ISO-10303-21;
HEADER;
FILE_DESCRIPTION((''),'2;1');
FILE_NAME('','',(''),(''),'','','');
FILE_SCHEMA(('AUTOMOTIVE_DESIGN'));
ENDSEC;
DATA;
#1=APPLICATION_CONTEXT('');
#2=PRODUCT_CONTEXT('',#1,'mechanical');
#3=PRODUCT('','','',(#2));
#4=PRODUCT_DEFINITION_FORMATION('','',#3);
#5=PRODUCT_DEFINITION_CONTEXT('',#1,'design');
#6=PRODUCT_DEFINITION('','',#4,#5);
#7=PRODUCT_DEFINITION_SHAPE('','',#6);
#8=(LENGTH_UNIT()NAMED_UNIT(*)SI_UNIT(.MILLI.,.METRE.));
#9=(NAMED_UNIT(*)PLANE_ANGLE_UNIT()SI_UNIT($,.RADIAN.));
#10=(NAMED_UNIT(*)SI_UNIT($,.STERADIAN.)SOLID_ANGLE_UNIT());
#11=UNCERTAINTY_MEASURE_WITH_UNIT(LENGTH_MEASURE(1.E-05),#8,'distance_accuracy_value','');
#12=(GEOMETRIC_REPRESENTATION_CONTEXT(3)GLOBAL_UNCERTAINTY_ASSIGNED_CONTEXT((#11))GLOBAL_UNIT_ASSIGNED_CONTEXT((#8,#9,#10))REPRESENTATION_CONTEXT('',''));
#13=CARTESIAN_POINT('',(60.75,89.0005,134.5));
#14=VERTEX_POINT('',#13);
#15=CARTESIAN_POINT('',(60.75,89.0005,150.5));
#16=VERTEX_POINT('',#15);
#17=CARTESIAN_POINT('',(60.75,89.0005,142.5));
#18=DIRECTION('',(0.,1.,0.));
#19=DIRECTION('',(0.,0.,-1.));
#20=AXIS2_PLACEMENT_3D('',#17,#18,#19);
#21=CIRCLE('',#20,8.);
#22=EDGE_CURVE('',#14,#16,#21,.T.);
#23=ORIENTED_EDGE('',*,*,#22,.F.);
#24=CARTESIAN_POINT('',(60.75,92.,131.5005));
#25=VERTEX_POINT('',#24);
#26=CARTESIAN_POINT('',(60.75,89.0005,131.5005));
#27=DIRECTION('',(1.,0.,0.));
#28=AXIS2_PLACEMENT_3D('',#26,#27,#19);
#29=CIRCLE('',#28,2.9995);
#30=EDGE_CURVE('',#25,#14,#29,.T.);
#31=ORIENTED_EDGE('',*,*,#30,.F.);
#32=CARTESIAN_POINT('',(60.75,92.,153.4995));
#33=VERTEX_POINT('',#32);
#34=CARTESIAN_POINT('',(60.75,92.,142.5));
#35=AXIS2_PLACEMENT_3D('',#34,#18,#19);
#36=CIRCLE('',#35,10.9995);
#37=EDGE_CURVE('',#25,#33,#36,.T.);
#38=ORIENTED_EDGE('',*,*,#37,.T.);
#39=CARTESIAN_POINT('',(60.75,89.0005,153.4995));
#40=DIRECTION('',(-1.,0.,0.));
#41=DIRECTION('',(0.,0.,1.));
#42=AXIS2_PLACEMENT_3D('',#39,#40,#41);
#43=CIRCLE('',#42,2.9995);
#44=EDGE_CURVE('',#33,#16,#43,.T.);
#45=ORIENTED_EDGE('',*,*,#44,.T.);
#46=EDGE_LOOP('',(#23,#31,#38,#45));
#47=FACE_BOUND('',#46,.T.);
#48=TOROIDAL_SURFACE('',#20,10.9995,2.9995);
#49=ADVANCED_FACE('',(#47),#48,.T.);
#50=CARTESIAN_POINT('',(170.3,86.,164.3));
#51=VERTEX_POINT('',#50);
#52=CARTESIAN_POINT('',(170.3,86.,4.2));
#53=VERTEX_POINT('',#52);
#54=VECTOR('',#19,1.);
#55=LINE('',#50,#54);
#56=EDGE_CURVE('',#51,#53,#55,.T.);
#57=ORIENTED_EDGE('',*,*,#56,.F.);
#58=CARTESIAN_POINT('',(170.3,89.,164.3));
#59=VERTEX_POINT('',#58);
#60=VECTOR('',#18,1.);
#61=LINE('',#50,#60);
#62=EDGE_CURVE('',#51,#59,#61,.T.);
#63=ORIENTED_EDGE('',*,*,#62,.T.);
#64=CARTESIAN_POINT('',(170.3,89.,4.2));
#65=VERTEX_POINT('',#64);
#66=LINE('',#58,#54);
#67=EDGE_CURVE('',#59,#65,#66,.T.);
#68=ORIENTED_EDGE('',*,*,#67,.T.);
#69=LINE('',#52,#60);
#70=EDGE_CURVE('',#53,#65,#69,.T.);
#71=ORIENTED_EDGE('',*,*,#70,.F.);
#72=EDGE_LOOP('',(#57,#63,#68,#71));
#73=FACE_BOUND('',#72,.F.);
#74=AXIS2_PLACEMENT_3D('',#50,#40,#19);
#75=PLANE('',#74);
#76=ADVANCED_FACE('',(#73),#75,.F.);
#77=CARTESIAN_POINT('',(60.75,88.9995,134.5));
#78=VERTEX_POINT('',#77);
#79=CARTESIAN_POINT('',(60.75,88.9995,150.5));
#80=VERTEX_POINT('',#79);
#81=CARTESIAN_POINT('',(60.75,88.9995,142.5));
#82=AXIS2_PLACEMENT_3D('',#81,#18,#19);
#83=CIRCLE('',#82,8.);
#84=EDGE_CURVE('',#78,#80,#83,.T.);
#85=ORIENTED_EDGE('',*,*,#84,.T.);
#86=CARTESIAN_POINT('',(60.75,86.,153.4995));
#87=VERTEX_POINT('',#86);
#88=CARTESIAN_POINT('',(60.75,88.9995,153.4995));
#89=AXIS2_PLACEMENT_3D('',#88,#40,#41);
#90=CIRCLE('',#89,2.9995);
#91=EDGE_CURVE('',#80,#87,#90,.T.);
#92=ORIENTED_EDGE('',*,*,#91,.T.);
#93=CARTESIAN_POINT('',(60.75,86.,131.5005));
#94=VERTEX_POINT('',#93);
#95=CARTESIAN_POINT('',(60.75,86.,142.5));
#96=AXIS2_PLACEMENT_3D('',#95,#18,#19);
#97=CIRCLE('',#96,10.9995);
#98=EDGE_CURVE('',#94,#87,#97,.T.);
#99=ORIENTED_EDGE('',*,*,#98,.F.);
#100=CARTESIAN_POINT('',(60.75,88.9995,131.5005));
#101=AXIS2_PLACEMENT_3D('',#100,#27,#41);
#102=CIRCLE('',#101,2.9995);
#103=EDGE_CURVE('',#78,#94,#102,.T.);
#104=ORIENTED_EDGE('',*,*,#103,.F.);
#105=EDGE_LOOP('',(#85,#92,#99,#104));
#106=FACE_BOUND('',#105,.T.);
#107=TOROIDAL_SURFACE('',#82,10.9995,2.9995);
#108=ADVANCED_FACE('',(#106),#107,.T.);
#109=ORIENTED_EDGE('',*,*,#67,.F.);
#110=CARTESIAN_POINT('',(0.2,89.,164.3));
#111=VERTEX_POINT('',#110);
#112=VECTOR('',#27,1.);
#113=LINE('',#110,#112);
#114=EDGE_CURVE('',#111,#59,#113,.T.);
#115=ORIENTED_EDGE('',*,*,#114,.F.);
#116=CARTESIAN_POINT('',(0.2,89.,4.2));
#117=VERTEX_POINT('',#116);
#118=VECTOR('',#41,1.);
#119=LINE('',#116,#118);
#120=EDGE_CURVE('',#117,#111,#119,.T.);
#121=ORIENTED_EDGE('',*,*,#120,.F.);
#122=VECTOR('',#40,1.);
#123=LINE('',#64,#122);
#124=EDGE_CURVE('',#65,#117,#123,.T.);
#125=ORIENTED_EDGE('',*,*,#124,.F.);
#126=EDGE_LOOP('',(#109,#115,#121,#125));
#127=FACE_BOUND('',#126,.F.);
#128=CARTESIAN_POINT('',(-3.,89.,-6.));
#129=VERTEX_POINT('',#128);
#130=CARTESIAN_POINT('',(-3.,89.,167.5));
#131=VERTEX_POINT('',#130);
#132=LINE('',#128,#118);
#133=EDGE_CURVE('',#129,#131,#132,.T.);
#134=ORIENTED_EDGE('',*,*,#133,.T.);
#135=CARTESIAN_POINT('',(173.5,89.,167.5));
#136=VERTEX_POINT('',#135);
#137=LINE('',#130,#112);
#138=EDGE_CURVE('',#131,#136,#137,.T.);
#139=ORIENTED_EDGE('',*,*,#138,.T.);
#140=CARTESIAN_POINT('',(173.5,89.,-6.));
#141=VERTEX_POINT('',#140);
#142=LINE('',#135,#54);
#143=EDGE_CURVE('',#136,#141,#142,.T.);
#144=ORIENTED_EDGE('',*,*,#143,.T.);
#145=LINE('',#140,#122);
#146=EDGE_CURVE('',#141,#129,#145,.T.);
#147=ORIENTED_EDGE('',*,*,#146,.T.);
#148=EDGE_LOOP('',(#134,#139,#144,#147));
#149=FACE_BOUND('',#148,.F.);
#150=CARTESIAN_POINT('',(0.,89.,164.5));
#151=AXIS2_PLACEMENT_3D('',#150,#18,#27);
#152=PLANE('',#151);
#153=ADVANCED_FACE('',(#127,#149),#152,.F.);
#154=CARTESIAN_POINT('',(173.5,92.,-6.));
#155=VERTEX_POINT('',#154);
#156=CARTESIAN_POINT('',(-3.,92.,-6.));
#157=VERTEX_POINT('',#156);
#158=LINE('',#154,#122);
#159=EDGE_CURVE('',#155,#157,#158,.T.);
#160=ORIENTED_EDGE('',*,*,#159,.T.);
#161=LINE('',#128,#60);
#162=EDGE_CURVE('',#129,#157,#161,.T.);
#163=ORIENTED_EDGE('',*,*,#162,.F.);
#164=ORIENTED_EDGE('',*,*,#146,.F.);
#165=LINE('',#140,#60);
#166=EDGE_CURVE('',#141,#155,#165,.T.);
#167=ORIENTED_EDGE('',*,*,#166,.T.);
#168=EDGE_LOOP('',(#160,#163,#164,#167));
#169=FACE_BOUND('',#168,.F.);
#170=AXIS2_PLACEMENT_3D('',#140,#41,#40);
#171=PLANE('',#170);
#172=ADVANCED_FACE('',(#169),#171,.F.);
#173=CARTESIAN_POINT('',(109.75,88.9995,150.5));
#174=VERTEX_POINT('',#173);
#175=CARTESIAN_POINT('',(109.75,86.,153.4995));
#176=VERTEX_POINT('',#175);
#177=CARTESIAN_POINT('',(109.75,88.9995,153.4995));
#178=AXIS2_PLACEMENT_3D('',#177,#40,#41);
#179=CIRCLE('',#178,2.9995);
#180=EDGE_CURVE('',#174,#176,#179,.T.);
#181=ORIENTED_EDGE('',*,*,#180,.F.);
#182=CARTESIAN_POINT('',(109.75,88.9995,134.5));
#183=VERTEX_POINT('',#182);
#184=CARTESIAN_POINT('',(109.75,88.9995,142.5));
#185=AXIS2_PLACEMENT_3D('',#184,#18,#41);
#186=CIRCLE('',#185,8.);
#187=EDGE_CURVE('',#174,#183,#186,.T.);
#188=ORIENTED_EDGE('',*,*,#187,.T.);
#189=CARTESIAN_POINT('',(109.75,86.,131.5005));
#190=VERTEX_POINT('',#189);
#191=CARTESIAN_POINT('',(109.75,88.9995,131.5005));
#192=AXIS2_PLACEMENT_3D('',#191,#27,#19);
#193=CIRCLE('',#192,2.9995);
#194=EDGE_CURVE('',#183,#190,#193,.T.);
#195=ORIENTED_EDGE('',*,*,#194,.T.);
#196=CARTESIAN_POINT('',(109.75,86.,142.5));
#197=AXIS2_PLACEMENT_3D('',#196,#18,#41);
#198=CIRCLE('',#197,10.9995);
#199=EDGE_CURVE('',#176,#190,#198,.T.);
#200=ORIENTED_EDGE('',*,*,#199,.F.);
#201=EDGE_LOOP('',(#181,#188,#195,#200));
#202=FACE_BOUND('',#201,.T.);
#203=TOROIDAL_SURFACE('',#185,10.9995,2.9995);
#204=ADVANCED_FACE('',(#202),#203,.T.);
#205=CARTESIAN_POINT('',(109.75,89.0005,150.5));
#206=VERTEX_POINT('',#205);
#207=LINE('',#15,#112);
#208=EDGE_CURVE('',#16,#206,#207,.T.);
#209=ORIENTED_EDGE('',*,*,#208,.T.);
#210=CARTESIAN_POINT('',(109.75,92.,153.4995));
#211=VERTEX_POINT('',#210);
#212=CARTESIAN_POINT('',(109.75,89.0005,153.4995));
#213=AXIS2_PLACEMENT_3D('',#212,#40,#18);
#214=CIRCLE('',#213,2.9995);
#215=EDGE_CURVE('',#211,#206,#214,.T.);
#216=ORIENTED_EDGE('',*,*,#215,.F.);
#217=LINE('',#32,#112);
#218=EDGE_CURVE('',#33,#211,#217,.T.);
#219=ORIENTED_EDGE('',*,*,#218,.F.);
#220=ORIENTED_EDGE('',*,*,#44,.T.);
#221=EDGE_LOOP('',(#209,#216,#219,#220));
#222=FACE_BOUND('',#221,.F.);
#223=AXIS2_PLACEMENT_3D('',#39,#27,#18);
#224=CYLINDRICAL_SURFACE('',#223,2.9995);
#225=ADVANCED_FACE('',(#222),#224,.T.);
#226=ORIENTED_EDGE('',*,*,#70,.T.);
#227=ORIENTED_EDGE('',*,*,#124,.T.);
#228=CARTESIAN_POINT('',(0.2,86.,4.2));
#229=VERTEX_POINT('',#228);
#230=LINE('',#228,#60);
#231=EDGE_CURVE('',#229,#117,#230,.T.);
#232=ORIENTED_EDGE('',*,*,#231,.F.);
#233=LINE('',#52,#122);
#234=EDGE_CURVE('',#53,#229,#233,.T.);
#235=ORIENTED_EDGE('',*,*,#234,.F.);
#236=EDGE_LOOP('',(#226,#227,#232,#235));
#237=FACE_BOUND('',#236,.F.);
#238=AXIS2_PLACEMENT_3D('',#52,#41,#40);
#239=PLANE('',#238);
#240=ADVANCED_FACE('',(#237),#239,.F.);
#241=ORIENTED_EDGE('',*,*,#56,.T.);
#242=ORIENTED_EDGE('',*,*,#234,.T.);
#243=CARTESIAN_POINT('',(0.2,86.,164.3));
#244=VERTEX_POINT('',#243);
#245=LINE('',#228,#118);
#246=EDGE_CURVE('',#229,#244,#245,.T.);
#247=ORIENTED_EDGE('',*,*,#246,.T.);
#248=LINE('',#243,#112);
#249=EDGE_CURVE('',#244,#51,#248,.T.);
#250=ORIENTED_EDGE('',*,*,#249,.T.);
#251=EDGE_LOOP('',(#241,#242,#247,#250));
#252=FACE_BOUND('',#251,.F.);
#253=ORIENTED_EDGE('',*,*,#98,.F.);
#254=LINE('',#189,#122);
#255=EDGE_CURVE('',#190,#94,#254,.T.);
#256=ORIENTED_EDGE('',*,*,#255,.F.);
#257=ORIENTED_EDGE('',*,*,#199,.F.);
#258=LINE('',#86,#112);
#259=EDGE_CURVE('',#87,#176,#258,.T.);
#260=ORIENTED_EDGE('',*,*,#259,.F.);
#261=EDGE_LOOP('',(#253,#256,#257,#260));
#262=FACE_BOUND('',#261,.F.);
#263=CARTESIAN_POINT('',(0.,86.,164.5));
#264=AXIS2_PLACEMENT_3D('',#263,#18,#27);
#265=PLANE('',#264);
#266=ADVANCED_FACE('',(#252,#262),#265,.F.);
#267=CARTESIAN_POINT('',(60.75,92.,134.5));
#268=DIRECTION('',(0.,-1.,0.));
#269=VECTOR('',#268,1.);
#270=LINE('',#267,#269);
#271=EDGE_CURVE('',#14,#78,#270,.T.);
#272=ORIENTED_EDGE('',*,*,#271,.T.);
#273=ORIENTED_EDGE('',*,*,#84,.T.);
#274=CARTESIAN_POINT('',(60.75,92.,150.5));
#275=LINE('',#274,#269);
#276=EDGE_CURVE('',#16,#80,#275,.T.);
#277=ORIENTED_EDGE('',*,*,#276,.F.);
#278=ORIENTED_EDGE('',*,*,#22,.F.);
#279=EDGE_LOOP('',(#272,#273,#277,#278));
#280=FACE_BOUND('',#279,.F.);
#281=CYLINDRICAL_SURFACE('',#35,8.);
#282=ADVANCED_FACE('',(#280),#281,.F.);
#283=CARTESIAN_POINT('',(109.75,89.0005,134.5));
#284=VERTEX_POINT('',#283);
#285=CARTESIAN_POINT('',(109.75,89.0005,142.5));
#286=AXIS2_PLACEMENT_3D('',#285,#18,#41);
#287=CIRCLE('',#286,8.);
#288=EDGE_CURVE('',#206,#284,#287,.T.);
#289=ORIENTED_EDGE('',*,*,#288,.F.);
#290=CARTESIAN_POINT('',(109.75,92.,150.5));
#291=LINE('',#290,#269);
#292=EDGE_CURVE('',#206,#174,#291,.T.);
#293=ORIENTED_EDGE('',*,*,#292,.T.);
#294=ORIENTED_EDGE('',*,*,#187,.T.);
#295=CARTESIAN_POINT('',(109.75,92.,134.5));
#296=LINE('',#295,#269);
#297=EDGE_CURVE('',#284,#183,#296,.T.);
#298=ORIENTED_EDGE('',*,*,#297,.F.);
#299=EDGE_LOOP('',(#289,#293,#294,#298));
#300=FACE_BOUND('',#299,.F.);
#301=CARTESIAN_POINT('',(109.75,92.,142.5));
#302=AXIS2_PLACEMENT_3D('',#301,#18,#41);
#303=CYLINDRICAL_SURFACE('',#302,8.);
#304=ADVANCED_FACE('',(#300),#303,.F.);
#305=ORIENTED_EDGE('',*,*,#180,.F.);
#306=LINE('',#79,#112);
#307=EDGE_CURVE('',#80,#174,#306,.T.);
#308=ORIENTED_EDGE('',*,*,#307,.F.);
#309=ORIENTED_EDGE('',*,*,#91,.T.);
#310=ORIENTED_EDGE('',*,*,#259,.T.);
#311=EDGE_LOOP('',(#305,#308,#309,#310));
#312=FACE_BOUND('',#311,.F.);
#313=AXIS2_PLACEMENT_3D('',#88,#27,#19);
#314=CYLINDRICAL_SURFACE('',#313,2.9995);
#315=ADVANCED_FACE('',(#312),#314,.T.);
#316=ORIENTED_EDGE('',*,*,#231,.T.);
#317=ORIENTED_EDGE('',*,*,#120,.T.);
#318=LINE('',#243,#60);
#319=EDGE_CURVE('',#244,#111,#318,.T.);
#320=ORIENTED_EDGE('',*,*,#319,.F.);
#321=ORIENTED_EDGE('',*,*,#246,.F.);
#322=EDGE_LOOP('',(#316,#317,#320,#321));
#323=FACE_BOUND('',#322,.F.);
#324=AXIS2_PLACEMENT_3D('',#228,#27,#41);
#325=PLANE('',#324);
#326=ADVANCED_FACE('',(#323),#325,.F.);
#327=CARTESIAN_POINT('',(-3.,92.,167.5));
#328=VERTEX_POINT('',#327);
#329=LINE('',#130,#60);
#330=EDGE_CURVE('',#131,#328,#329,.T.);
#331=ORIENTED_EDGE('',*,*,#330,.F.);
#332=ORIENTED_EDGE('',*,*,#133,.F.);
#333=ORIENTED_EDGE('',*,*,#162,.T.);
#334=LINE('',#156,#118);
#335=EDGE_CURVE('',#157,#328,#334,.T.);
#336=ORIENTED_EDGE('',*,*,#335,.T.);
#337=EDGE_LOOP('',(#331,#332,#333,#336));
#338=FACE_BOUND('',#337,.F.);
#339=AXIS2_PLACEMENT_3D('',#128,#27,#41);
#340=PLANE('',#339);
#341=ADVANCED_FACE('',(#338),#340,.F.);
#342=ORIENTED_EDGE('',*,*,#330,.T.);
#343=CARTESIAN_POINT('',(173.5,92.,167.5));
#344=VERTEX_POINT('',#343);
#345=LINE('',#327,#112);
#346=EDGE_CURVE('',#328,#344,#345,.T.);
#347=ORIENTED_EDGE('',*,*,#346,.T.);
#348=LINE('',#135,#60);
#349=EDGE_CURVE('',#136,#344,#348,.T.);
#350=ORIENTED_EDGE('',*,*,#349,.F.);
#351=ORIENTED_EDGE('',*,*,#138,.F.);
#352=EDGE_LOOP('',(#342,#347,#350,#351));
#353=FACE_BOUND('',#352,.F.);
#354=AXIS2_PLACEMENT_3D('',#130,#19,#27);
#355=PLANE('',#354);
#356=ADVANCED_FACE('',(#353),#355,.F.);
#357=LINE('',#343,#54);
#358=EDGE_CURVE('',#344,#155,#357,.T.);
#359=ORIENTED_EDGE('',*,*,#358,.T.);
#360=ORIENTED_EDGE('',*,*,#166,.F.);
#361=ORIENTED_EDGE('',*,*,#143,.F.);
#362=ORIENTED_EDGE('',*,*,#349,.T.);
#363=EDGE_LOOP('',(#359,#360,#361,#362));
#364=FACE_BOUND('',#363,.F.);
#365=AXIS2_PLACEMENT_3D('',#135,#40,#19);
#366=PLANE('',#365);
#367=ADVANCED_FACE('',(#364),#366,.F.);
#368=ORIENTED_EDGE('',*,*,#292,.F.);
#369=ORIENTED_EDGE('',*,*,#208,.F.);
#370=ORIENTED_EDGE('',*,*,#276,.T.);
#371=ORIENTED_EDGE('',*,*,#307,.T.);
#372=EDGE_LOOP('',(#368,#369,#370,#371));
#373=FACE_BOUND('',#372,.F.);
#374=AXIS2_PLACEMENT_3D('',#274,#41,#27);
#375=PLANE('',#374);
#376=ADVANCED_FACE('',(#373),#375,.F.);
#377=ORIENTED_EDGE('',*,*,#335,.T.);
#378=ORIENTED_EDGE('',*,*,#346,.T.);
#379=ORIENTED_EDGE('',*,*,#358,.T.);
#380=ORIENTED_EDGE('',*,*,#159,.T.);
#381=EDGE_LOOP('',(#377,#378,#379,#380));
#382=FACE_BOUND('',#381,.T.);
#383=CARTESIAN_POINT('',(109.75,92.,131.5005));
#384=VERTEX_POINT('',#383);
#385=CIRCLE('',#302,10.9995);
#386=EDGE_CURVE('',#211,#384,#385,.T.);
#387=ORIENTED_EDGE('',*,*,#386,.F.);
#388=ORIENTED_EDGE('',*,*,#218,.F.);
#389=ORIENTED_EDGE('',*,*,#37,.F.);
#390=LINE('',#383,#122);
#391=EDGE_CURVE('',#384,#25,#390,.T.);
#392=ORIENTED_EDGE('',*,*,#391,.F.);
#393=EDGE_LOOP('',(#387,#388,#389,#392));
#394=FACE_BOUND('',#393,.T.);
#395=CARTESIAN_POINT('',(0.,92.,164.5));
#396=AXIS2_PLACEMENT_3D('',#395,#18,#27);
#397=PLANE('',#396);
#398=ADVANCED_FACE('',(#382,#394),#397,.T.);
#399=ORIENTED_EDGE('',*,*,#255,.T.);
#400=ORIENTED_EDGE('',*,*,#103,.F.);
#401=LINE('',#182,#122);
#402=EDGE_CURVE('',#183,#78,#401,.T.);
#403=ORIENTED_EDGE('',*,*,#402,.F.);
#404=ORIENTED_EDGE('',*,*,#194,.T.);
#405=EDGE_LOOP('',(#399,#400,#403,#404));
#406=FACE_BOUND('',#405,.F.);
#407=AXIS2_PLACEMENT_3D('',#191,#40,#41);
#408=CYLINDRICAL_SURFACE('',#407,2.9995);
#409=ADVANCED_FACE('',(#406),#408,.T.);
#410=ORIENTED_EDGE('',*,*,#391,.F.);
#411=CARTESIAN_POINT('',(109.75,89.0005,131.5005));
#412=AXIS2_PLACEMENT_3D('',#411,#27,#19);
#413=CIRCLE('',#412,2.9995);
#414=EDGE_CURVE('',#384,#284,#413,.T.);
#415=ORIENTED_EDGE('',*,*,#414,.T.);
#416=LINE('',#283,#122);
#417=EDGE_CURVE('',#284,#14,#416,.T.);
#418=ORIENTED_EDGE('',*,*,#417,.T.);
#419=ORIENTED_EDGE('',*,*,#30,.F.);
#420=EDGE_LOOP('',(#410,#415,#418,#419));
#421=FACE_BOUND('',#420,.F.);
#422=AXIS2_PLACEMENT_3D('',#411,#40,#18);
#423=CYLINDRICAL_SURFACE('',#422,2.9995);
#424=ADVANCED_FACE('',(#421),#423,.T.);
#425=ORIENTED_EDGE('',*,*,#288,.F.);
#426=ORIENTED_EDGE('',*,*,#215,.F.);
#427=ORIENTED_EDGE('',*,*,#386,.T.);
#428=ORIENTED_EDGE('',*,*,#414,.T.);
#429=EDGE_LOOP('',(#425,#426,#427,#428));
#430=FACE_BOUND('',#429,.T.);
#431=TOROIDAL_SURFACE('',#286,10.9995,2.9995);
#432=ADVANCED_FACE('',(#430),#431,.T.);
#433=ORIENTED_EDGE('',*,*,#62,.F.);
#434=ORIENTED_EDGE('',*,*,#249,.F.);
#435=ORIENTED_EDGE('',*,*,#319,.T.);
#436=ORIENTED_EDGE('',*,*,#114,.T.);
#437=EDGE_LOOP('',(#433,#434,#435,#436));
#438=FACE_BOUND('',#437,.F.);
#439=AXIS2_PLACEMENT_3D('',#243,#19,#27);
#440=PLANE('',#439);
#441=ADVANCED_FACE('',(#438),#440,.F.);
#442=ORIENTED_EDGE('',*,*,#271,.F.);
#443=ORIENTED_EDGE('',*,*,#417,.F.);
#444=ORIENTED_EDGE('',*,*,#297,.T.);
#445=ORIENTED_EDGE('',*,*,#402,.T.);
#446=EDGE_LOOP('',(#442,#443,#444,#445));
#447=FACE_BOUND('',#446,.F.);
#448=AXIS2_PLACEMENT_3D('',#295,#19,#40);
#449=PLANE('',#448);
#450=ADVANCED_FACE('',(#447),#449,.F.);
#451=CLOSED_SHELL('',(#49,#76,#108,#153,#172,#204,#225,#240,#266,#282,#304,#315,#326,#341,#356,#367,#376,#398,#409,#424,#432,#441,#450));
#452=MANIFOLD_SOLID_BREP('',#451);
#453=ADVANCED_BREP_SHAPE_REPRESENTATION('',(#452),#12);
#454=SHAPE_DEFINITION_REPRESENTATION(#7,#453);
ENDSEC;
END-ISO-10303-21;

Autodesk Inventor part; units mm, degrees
ref_plane "YZ Plane" through (0, 0, 0) normal (1, 0, 0) x (0, 1, 0)
ref_plane "XZ Plane" through (0, 0, 0) normal (0, 1, 0) x (-1, 0, 0)
ref_plane "Work Plane1" through (0, 86, 164.5) normal (0, 1, 0) x (1, 0, 0)
sketch "Sketch7" plane through (0, 86, 164.5) normal (0, 1, 0) x (1, 0, 0)
  line L0 (-3, 170.5) -> (5, 170.5) construction
  line L1 (-3, 170.5) -> (-3, -3) construction
  line L2 (173.5, -3) -> (-3, -3) construction
  line L3 (173.5, 170.5) -> (173.5, -3) construction
  line L4 (165.5, 170.5) -> (173.5, 170.5) construction
  line L5 (165.5, 170.5) -> (165.5, 167.3) construction
  line L6 (170.5, 167.3) -> (165.5, 167.3) construction
  line L7 (170.5, 167.3) -> (170.5, 164.5) construction
  line L8 (170.5, 164.5) -> (165.5, 164.5) construction
  line L9 (165.5, 164.5) -> (165.5, 160.5) construction
  line L10 (170.5, 160.5) -> (165.5, 160.5) construction
  line L11 (170.5, 160.5) -> (170.5, 0) construction
  line L12 (170.5, 0) -> (0, 0) construction
  line L13 (0, 0) -> (0, 160.5) construction
  line L14 (5, 160.5) -> (0, 160.5) construction
  line L15 (5, 164.5) -> (5, 160.5) construction
  line L16 (5, 164.5) -> (0, 164.5) construction
  line L17 (0, 164.5) -> (0, 167.3) construction
  line L18 (5, 167.3) -> (0, 167.3) construction
  line L19 (5, 170.5) -> (5, 167.3) construction
  line L20 (165.3, 160.3) -> (165.3, 164.7) construction
  line L21 (165.3, 164.7) -> (170.3, 164.7) construction
  line L22 (170.3, 164.7) -> (170.3, 167.1) construction
  line L23 (170.3, 167.1) -> (165.3, 167.1) construction
  line L24 (165.3, 167.1) -> (165.3, 170.7) construction
  line L25 (165.3, 170.7) -> (173.7, 170.7) construction
  line L26 (173.7, 170.7) -> (173.7, -3.2) construction
  line L27 (173.7, -3.2) -> (-3.2, -3.2) construction
  line L28 (-3.2, -3.2) -> (-3.2, 170.7) construction
  line L29 (-3.2, 170.7) -> (5.2, 170.7) construction
  line L30 (5.2, 170.7) -> (5.2, 167.1) construction
  line L31 (5.2, 167.1) -> (0.2, 167.1) construction
  line L32 (0.2, 167.1) -> (0.2, 164.7) construction
  line L33 (0.2, 164.7) -> (5.2, 164.7) construction
  line L34 (5.2, 164.7) -> (5.2, 160.3) construction
  line L35 (5.2, 160.3) -> (0.2, 160.3) construction
  line L36 (0.2, 160.3) -> (0.2, 0.2) construction
  line L37 (0.2, 0.2) -> (170.3, 0.2) construction
  line L38 (170.3, 0.2) -> (170.3, 160.3) construction
  line L39 (170.3, 160.3) -> (165.3, 160.3) construction
  line L40 (170.3, 160.3) -> (0.2, 160.3)
  line L41 (0.2, 160.3) -> (0.2, 0.2)
  line L42 (0.2, 0.2) -> (170.3, 0.2)
  line L43 (170.3, 0.2) -> (170.3, 160.3)
  point P0 (0, 164.5)
  dimension "d18" = 0.2
extrude "Extrusion7" add sketch "Sketch7" along normal blind 3
sketch "Sketch8" plane through (0, 89, 164.5) normal (0, 1, 0) x (1, 0, 0)
  line L0 (-3, 170.5) -> (5, 170.5) construction
  line L1 (-3, 170.5) -> (-3, -3) construction
  line L2 (173.5, -3) -> (-3, -3) construction
  line L3 (173.5, 170.5) -> (173.5, -3) construction
  line L4 (165.5, 170.5) -> (173.5, 170.5) construction
  line L5 (165.5, 170.5) -> (165.5, 167.3) construction
  line L6 (170.5, 167.3) -> (165.5, 167.3) construction
  line L7 (170.5, 167.3) -> (170.5, 164.5) construction
  line L8 (170.5, 164.5) -> (165.5, 164.5) construction
  line L9 (165.5, 164.5) -> (165.5, 160.5) construction
  line L10 (170.5, 160.5) -> (165.5, 160.5) construction
  line L11 (170.5, 160.5) -> (170.5, 0) construction
  line L12 (170.5, 0) -> (0, 0) construction
  line L13 (0, 0) -> (0, 160.5) construction
  line L14 (5, 160.5) -> (0, 160.5) construction
  line L15 (5, 164.5) -> (5, 160.5) construction
  line L16 (5, 164.5) -> (0, 164.5) construction
  line L17 (0, 164.5) -> (0, 167.3) construction
  line L18 (5, 167.3) -> (0, 167.3) construction
  line L19 (5, 170.5) -> (5, 167.3) construction
  line L20 (173.5, 170.5) -> (-3, 170.5) construction
  line L21 (-3, 170.5) -> (-3, -3) construction
  line L22 (-3, -3) -> (173.5, -3) construction
  line L23 (173.5, -3) -> (173.5, 170.5) construction
  line L24 (173.5, 170.5) -> (-3, 170.5)
  line L25 (-3, 170.5) -> (-3, -3)
  line L26 (-3, -3) -> (173.5, -3)
  line L27 (173.5, -3) -> (173.5, 170.5)
  point P0 (0, 164.5)
extrude "Extrusion8" add sketch "Sketch8" along normal blind 3
sketch "Sketch9" plane through (0, 92, 164.5) normal (0, 1, 0) x (1, 0, 0)
  line L0 (-3, 170.5) -> (-3, -3) construction
  line L1 (-3, -3) -> (173.5, -3) construction
  line L2 (173.5, -3) -> (173.5, 170.5) construction
  line L3 (173.5, 170.5) -> (-3, 170.5) construction
  line L4 (109.75, 30) -> (60.75, 30) construction
  line L5 (52.75, 22) -> (52.75, 22) construction
  line L6 (60.75, 14) -> (109.75, 14) construction
  line L7 (117.75, 22) -> (117.75, 22) construction
  line L8 (117.75, 30) -> (52.75, 14) construction
  line L9 (52.75, 30) -> (117.75, 14) construction
  line L10 (85.25, 22) -> (85.25, -3) construction
  arc A0 (109.75, 14) -> (117.75, 22) centre (109.75, 22) ccw construction
  arc A1 (52.75, 22) -> (60.75, 14) centre (60.75, 22) ccw construction
  arc A2 (60.75, 30) -> (52.75, 22) centre (60.75, 22) ccw construction
  arc A3 (117.75, 22) -> (109.75, 30) centre (109.75, 22) ccw construction
  line L11 (109.75, 30) -> (60.75, 30) construction
  line L12 (60.75, 30) -> (60.75, 14) construction
  line L13 (60.75, 14) -> (109.75, 14) construction
  line L14 (109.75, 14) -> (109.75, 30) construction
  line L15 (109.75, 30) -> (60.75, 30)
  line L16 (60.75, 14) -> (109.75, 14)
  arc A4 (109.75, 14) -> (109.75, 30) centre (109.75, 22) ccw
  arc A5 (60.75, 30) -> (60.75, 14) centre (60.75, 22) ccw
  point P0 (0, 164.5)
  dimension "d23" = 65
  dimension "d24" = 16
  dimension "d25" = 25
  dimension "d26" = 8
extrude "Extrusion9" cut sketch "Sketch9" against normal blind 6
fillet "Fillet1" radius 3 8 edges at (52.75, 92, 142.5) (85.25, 92, 134.5) (117.75, 92, 142.5) (85.25, 92, 150.5) (117.75, 86, 142.5) (85.25, 86, 134.5) (52.75, 86, 142.5) (85.25, 86, 150.5)
properties part number "Lid"
